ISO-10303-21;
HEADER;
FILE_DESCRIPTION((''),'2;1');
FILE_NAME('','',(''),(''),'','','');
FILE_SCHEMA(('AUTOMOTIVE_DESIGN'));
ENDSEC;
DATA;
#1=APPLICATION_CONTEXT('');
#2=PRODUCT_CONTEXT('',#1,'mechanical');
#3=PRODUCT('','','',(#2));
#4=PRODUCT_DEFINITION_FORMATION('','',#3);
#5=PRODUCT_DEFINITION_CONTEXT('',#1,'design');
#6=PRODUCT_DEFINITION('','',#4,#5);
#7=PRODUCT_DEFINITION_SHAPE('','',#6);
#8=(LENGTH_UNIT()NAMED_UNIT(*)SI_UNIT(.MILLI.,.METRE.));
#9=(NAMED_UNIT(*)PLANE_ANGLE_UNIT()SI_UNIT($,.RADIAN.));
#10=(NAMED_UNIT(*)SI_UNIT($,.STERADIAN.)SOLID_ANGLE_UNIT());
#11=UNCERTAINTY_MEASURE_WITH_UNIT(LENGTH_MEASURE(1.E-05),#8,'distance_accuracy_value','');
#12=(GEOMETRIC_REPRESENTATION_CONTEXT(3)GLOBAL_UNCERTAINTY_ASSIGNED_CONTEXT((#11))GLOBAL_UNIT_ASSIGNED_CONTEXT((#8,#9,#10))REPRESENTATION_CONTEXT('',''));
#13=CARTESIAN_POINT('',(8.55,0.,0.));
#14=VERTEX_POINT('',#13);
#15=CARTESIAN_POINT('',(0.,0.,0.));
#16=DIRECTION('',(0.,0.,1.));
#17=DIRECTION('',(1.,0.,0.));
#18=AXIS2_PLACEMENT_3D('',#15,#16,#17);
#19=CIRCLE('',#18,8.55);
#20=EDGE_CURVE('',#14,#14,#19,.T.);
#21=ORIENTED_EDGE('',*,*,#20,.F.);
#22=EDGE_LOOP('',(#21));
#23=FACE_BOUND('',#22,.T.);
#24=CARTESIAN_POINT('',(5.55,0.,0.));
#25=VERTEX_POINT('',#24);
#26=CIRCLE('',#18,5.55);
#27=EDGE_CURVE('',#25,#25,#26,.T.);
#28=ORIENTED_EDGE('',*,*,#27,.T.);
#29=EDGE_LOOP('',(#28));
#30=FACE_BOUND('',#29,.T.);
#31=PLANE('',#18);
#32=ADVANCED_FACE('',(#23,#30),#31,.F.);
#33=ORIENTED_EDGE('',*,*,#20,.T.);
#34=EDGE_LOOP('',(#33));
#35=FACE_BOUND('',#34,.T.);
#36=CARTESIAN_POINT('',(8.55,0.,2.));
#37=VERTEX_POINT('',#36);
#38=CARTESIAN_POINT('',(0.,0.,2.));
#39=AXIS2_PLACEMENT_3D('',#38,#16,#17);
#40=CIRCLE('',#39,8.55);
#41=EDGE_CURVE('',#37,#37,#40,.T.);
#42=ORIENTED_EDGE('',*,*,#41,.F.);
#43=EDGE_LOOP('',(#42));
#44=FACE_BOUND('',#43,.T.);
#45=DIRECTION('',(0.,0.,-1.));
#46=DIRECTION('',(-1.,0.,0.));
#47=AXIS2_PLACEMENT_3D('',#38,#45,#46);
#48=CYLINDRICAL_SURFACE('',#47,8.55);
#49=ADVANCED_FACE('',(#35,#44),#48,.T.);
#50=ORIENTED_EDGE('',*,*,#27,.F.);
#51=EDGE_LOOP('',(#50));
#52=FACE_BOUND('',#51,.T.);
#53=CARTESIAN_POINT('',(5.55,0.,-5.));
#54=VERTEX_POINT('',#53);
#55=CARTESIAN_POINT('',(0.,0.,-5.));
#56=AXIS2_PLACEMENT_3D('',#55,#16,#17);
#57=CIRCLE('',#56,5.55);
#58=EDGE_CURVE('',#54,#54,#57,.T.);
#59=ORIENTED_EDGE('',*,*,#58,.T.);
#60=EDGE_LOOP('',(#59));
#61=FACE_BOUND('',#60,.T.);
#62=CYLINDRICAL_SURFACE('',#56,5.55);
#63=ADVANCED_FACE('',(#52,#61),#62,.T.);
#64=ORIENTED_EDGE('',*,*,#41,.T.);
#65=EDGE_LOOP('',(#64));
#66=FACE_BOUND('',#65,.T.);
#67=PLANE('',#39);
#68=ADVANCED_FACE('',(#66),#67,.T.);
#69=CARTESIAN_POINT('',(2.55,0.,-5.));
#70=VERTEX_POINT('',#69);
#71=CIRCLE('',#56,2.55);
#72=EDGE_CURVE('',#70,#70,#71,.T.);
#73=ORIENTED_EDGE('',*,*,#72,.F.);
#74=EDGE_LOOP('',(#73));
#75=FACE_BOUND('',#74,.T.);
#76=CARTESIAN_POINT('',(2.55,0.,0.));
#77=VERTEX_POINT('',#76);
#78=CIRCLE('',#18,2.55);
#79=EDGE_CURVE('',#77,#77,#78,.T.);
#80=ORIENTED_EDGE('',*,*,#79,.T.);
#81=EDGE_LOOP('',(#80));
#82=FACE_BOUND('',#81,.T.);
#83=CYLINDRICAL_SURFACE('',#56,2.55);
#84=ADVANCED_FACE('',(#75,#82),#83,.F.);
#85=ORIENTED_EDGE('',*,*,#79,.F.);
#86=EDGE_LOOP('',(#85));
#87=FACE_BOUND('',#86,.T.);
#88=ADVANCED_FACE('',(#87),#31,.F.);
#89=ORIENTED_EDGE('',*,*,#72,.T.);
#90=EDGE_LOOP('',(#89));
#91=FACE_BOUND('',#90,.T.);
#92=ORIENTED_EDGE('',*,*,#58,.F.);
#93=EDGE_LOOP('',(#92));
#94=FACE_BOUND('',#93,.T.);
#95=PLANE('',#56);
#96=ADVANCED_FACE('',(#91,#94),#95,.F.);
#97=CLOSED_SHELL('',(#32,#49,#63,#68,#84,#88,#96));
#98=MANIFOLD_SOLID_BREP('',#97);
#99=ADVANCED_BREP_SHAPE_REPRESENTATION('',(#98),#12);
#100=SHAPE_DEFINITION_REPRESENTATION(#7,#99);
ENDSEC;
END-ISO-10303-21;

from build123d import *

# Parameters (mm, degrees)
SKETCH1_R           = 5.55
SKETCH1_R_2         = 2.55
BOSS_EXTRUDE1_DEPTH = 5
SKETCH2_R           = 8.55
BOSS_EXTRUDE2_DEPTH = 2


with BuildPart() as part:
    # Sketch1 → Boss-Extrude1 (new body)
    with BuildSketch(Plane.XY):
        Circle(SKETCH1_R)
        Circle(SKETCH1_R_2, mode=Mode.SUBTRACT)
    extrude(amount=-BOSS_EXTRUDE1_DEPTH)

    # Sketch2 → Boss-Extrude2 (add)
    with BuildSketch(Plane.XY):
        Circle(SKETCH2_R)
    extrude(amount=BOSS_EXTRUDE2_DEPTH)


solid = part.part
